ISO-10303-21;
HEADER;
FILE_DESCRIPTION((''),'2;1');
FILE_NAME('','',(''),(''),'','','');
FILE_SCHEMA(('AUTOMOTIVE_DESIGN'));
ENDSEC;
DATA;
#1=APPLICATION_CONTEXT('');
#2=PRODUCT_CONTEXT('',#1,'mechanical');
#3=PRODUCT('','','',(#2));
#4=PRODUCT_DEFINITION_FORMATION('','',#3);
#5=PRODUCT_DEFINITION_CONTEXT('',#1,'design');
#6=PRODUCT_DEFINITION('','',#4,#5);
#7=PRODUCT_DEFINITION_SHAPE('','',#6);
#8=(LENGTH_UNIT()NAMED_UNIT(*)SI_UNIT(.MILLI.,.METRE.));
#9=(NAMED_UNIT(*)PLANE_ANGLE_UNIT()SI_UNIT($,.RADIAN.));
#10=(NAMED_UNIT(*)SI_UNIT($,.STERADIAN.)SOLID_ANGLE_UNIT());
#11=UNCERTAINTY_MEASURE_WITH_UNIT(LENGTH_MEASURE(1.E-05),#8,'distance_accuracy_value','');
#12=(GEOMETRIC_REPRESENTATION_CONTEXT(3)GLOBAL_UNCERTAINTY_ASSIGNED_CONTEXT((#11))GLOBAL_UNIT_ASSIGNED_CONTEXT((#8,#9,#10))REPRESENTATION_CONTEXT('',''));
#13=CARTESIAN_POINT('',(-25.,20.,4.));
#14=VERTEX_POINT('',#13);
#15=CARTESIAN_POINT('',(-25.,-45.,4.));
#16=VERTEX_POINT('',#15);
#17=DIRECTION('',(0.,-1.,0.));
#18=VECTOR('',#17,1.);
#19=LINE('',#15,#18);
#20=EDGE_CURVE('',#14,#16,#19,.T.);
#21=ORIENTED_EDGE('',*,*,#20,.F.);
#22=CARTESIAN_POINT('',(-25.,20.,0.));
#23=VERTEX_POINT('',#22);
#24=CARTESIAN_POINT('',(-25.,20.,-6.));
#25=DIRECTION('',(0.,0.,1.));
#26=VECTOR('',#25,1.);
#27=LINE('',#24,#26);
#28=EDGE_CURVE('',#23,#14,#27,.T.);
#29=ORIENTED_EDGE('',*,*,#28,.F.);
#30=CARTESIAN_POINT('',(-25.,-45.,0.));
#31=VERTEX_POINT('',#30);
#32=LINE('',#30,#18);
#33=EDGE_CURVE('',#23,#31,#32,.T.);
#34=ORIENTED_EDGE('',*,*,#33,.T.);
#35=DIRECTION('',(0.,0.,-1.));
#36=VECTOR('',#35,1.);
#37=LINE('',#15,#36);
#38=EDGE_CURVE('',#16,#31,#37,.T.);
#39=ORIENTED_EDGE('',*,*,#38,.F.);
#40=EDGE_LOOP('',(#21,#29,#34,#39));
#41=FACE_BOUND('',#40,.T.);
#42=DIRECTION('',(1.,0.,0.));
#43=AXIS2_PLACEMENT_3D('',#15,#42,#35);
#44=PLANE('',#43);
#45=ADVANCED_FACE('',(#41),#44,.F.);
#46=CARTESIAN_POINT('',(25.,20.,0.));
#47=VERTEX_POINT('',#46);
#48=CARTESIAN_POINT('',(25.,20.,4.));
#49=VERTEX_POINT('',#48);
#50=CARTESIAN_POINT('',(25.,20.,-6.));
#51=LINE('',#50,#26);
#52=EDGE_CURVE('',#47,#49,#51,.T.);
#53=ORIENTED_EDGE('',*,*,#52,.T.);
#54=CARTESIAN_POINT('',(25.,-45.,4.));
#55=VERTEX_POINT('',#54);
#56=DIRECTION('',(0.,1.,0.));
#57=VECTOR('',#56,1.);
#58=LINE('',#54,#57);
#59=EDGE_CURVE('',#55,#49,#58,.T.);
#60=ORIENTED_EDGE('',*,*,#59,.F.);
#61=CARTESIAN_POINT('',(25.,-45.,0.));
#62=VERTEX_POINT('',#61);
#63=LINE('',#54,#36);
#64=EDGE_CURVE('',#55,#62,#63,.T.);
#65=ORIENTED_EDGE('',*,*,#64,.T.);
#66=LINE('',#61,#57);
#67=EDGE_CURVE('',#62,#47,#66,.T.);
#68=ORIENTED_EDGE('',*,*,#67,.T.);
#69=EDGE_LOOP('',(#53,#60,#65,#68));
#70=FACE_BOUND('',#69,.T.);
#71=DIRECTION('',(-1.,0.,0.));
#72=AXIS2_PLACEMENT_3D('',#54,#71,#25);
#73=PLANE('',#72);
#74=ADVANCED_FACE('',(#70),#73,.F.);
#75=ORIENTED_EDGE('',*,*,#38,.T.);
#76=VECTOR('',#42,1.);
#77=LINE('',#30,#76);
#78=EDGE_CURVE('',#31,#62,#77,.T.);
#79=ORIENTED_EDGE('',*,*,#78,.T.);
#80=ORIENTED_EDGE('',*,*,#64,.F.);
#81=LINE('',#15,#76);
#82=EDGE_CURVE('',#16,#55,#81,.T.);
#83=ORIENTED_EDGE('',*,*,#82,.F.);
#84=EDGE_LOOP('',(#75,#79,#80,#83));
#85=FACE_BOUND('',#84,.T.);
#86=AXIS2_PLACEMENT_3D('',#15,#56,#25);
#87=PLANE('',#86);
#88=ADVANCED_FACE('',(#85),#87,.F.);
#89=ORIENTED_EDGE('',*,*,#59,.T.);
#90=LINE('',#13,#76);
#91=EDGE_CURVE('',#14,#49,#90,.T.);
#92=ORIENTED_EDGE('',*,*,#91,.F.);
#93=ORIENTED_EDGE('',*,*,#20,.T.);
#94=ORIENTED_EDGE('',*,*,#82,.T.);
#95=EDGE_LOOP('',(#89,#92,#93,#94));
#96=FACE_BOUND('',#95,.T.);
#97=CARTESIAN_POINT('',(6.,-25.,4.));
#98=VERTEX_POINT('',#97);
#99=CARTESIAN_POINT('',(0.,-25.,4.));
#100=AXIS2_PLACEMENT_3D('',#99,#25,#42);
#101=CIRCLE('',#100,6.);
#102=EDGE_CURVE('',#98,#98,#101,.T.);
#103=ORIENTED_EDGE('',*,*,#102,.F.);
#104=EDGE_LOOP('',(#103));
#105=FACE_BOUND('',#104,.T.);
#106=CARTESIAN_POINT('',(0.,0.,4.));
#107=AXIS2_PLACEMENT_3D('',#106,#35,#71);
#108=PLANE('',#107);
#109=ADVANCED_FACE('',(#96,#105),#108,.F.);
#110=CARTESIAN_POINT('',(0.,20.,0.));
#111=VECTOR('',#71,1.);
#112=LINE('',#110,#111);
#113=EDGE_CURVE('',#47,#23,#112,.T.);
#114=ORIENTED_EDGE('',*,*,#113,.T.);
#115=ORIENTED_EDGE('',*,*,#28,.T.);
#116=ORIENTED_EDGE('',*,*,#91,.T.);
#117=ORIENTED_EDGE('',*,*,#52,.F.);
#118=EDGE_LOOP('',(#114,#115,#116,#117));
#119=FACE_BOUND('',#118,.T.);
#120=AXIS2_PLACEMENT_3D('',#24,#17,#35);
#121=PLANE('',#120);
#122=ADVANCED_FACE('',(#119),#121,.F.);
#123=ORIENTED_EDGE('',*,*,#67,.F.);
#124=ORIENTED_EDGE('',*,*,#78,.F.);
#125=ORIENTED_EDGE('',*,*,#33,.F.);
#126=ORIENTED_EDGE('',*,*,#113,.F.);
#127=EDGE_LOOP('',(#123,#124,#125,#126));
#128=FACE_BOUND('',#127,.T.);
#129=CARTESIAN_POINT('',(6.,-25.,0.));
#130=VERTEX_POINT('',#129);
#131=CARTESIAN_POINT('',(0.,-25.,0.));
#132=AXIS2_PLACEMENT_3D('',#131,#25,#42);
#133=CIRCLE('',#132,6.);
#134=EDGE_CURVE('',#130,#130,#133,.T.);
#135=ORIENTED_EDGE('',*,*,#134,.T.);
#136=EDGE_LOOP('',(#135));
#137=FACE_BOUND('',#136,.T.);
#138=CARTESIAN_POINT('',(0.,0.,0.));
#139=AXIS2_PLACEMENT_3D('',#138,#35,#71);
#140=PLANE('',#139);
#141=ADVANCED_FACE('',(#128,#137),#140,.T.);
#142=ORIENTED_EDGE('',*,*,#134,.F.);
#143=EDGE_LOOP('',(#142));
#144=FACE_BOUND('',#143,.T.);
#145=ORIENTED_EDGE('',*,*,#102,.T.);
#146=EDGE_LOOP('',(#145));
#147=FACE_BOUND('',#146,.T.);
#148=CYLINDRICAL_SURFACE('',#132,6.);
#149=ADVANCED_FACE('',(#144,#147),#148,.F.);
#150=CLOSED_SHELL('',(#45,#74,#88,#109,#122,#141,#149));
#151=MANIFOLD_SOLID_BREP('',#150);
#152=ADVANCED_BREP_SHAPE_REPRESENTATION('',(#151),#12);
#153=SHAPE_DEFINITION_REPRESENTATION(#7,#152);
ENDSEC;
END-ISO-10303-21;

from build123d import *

# Parameters (mm, degrees)
SKETCH2_W           = 50
SKETCH2_H           = 90
BOSS_EXTRUDE1_DEPTH = 4
SKETCH3_R           = 6
CUT_EXTRUDE1_DEPTH  = 4
SKETCH4_W           = 50
SKETCH4_H           = 25
CUT_EXTRUDE2_DEPTH  = 10


with BuildPart() as part:
    # Sketch2 → Boss-Extrude1 (new body)
    with BuildSketch(Plane.XY):
        Rectangle(SKETCH2_W, SKETCH2_H)
    extrude(amount=BOSS_EXTRUDE1_DEPTH)

    # Sketch3 → Cut-Extrude1 (cut)
    with BuildSketch(Plane.XY.offset(4)):
        with Locations((0, -25)):
            Circle(SKETCH3_R)
    extrude(amount=-CUT_EXTRUDE1_DEPTH, mode=Mode.SUBTRACT)

    # Sketch4 → Cut-Extrude2 (cut)
    with BuildSketch(Plane.XY.offset(4)):
        with Locations((0, 32.5)):
            Rectangle(SKETCH4_W, SKETCH4_H)
    extrude(amount=-CUT_EXTRUDE2_DEPTH, mode=Mode.SUBTRACT)


solid = part.part
